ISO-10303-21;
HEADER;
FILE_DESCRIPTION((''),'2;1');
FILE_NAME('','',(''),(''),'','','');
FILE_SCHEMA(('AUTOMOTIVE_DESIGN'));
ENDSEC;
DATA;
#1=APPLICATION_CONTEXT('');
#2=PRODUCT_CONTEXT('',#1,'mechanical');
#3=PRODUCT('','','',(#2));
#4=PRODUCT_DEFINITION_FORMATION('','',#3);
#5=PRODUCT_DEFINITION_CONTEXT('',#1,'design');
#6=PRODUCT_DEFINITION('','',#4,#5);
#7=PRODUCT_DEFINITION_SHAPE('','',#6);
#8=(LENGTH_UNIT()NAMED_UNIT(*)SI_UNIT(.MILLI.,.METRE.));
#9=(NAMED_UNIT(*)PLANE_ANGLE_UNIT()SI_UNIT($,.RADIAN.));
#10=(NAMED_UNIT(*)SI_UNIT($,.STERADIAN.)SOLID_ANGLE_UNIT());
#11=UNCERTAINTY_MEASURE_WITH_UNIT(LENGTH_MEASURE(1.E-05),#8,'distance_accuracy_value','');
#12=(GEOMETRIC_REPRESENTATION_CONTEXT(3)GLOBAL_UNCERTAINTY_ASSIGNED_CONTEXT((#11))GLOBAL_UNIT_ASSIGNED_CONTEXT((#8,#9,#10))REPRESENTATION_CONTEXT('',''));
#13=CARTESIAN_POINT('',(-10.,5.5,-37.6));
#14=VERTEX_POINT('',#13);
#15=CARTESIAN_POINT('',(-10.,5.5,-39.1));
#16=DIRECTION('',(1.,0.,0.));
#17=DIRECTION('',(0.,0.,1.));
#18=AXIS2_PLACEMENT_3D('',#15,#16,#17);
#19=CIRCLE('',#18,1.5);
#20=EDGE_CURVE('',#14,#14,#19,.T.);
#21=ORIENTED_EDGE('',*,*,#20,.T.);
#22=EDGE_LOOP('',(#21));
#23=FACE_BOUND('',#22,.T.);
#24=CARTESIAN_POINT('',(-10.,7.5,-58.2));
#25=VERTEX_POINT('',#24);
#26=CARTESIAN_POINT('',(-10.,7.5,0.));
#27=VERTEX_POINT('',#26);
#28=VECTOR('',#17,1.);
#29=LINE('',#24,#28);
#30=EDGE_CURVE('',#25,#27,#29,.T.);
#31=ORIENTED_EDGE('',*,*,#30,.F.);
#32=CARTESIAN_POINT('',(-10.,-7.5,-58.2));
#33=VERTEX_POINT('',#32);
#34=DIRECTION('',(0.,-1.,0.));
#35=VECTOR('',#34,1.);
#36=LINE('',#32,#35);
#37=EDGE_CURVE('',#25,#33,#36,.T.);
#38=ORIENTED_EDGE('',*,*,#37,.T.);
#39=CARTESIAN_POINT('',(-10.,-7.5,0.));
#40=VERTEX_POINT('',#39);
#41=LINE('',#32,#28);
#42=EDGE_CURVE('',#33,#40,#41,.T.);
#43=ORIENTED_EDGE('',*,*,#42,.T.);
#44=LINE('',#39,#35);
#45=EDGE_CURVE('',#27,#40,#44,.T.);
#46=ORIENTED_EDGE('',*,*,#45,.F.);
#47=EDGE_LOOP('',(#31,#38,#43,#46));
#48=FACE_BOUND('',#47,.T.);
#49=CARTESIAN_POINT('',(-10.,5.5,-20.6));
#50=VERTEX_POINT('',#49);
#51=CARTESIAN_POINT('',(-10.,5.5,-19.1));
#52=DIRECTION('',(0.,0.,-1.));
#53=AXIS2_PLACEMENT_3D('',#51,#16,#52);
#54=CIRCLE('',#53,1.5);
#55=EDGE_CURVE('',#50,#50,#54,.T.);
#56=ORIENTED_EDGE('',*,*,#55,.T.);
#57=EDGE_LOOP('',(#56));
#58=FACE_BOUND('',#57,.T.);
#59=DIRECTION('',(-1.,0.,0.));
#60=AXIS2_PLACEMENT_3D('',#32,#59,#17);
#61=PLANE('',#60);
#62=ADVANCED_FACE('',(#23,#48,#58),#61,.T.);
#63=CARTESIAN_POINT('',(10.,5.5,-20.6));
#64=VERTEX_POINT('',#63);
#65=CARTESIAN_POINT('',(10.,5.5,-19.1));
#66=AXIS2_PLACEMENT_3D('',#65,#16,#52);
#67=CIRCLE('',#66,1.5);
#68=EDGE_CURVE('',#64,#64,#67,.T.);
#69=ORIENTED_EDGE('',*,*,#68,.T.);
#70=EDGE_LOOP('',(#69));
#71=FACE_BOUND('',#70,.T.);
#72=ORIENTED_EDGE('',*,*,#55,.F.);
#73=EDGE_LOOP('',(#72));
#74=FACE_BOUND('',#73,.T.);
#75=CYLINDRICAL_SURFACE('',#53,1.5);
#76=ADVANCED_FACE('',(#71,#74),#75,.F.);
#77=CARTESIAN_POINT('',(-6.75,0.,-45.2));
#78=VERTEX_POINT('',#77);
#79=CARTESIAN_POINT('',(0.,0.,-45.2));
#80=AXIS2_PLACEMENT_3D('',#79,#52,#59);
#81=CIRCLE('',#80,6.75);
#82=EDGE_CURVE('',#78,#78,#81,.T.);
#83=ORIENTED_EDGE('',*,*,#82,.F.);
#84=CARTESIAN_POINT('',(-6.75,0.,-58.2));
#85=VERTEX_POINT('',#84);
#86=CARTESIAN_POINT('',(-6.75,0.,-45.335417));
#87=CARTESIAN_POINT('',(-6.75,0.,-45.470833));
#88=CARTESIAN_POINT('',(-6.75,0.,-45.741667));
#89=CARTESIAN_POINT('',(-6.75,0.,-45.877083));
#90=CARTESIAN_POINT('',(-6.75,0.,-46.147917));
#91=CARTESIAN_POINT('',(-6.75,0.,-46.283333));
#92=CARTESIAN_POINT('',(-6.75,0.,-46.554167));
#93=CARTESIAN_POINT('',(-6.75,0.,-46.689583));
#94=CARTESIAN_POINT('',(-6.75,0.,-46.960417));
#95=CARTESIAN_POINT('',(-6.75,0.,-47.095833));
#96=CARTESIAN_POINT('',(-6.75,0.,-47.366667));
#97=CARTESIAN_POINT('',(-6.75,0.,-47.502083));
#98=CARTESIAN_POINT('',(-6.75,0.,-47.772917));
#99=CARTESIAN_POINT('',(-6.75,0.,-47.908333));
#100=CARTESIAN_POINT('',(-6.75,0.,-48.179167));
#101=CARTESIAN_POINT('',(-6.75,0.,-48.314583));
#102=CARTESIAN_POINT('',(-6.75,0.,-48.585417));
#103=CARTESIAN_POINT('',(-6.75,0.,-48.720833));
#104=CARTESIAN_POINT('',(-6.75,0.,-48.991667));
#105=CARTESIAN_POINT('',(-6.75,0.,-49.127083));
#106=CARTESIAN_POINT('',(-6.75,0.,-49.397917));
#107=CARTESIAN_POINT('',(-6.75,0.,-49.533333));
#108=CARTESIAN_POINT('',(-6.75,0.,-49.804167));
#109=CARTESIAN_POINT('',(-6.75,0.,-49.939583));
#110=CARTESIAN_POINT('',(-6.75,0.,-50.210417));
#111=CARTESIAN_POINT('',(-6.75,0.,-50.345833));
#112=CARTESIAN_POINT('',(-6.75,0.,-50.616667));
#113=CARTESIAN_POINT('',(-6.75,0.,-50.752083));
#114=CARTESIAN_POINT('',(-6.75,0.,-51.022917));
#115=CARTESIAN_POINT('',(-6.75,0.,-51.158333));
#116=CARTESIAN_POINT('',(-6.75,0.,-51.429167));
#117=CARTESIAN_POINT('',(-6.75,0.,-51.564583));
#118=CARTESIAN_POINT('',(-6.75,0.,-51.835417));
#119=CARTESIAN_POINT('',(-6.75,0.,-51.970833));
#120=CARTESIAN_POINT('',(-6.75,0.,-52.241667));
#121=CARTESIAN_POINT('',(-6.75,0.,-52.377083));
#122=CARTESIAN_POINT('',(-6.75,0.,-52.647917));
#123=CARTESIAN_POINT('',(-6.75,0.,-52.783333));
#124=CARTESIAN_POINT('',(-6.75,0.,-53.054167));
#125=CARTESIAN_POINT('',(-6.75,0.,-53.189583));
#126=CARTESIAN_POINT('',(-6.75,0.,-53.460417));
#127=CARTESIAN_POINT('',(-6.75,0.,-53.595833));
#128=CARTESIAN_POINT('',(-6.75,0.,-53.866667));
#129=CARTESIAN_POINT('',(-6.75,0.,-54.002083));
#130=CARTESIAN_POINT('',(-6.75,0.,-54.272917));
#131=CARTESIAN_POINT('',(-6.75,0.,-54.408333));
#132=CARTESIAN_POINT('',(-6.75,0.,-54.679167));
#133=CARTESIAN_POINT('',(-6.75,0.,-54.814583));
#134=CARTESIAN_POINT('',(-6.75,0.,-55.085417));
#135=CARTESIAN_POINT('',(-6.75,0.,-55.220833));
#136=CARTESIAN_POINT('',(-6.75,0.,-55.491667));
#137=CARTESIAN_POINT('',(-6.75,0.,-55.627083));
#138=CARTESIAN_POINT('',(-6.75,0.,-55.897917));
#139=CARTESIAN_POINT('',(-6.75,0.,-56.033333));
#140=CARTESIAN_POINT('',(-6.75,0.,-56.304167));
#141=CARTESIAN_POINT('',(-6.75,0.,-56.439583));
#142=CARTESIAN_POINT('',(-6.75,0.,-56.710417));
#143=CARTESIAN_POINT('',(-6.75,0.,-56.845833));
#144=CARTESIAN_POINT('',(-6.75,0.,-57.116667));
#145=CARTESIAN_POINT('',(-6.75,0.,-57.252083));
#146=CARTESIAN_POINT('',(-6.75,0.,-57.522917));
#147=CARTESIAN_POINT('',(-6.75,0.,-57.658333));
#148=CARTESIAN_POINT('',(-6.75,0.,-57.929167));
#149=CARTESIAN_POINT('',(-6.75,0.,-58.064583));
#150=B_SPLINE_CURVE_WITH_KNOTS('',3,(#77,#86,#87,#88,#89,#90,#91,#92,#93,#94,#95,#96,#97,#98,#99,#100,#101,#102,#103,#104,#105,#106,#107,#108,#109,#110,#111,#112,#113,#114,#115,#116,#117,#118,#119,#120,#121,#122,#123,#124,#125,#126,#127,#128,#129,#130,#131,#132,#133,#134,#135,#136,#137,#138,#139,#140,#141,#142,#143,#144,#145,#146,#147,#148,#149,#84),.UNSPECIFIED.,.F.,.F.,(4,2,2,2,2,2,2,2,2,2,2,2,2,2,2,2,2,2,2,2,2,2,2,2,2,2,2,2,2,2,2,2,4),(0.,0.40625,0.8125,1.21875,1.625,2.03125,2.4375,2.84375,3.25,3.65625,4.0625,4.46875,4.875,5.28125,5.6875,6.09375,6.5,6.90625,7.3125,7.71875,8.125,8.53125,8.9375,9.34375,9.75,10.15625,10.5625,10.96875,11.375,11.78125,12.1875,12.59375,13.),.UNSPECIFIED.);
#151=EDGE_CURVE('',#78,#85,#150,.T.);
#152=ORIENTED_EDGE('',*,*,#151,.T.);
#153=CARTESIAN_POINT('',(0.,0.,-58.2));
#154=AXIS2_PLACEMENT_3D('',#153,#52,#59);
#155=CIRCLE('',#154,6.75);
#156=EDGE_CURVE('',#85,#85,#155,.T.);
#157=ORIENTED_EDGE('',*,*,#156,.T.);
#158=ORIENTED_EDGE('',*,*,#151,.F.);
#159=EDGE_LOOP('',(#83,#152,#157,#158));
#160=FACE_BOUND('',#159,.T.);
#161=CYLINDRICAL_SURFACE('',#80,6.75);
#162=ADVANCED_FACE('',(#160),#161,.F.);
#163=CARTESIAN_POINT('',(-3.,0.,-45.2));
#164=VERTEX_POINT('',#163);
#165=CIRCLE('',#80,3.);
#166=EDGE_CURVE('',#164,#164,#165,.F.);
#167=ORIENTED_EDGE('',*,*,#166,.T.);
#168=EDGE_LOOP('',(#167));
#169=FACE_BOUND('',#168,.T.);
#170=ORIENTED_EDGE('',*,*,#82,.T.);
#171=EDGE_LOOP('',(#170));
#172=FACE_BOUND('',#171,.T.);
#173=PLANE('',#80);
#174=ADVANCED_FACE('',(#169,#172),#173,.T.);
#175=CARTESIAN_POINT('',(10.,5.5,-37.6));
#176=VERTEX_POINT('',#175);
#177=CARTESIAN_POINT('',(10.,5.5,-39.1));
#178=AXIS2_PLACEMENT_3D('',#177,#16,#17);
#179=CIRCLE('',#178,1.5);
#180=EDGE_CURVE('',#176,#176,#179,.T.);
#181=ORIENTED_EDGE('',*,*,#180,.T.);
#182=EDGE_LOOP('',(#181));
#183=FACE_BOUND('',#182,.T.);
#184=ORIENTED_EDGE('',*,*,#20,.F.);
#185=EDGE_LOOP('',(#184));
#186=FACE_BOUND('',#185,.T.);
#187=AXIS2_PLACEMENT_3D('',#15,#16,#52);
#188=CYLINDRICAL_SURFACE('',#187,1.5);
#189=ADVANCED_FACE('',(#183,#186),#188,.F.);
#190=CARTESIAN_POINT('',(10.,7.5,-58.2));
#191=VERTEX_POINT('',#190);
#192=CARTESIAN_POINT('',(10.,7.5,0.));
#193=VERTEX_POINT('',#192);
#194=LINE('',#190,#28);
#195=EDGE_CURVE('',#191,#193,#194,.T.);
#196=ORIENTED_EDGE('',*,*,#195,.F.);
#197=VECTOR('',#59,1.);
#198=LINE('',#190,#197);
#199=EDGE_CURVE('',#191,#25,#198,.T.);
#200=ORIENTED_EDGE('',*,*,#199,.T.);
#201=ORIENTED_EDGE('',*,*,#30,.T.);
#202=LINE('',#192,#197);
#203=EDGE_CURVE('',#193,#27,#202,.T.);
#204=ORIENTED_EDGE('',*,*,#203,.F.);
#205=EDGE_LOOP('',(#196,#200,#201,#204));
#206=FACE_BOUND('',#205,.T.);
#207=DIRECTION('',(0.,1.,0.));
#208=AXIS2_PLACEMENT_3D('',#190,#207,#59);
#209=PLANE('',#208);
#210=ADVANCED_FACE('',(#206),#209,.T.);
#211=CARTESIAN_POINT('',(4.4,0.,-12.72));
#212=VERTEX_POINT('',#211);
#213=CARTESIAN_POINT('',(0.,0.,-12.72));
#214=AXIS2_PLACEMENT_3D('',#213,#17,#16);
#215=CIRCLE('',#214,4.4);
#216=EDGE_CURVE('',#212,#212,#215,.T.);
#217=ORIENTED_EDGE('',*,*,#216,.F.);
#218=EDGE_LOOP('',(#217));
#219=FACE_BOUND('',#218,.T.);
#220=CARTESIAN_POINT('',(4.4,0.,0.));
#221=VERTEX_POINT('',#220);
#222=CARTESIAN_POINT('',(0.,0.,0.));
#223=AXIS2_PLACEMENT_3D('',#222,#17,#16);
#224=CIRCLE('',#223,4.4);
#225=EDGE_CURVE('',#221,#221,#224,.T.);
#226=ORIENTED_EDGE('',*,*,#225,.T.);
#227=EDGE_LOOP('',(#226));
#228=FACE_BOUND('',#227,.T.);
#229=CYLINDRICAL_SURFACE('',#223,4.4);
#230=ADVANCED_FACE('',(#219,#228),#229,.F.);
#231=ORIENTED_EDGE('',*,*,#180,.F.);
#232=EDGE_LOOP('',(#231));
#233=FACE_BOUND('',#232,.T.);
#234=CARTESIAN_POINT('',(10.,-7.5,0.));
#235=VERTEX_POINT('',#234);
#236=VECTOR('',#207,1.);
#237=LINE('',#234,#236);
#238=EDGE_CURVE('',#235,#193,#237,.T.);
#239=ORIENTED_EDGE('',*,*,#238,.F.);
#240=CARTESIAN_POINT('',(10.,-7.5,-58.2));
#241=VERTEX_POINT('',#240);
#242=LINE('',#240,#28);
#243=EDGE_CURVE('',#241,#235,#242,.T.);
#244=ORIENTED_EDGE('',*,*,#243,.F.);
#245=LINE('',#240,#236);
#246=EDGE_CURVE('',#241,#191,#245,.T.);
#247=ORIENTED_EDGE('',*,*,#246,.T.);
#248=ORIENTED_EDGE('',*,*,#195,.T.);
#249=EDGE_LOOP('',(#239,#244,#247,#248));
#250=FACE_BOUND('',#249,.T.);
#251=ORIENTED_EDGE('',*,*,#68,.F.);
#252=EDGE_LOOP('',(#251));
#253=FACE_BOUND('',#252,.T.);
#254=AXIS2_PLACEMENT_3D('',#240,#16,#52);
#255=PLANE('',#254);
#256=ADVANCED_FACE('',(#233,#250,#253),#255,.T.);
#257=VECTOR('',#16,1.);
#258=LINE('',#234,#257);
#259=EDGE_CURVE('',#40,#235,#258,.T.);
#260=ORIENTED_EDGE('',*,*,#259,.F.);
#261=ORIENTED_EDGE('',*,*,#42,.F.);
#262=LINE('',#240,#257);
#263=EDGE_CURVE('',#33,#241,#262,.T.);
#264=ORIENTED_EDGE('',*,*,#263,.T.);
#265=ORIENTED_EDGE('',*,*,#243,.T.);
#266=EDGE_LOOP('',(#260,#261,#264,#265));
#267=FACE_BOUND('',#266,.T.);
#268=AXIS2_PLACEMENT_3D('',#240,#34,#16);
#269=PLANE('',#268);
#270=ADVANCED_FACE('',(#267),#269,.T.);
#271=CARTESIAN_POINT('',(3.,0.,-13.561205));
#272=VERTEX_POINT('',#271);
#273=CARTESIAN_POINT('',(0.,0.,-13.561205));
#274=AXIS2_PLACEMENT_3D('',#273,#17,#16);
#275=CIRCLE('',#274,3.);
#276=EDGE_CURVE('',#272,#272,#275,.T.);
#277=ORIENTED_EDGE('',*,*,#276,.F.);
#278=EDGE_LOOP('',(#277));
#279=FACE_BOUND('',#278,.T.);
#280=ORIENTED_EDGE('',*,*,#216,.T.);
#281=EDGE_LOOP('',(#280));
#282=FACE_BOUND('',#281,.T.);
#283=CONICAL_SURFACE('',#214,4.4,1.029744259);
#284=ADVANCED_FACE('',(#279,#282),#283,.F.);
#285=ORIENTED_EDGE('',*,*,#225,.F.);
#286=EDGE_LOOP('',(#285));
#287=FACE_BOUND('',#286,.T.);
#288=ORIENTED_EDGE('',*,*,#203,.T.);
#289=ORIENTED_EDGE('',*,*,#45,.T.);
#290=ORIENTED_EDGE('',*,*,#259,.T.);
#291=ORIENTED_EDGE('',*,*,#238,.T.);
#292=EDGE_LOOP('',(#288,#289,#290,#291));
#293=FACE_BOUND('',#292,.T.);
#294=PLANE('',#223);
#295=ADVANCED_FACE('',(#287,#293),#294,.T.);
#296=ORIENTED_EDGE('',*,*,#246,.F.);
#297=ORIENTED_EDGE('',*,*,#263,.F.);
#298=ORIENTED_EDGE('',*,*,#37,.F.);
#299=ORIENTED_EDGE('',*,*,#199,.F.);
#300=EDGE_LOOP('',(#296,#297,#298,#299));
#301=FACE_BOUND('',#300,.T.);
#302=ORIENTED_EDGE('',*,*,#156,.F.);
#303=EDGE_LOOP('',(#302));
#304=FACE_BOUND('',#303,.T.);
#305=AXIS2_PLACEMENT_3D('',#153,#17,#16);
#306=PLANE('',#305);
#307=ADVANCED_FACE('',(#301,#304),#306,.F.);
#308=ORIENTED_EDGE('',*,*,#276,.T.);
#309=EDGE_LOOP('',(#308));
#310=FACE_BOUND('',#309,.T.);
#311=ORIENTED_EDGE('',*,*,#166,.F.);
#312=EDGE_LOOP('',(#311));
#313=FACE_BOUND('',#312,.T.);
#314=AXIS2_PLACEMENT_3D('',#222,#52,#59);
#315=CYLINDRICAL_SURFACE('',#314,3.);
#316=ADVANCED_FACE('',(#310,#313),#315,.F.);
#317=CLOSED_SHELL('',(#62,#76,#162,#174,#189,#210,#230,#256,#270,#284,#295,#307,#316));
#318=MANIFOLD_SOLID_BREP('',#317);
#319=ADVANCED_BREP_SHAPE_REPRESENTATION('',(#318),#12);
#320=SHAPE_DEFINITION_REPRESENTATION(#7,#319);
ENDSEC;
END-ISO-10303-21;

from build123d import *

# Parameters (mm, degrees)
SCHIZZO1_W                   = 20
SCHIZZO1_H                   = 15
ESTRUSIONE_ESTRUSIONE1_DEPTH = 58.2
SCHIZZO2_R                   = 3
TAGLIO_ESTRUSIONE1_DEPTH     = 60.527220664
SCHIZZO3_R                   = 6.75
TAGLIO_ESTRUSIONE2_DEPTH     = 13
SCHIZZO4_R                   = 1.5
TAGLIO_ESTRUSIONE3_DEPTH     = 62.99588696
FORO_FILETTATO_G1_8_1_D      = 8.8
FORO_FILETTATO_G1_8_1_DEPTH  = 12.72
FORO_FILETTATO_G1_8_1_TIP    = 2.643786724


with BuildPart() as part:
    # Schizzo1 → Estrusione-Estrusione1 (new body)
    with BuildSketch(Plane.XY):
        Rectangle(SCHIZZO1_W, SCHIZZO1_H)
    extrude(amount=-ESTRUSIONE_ESTRUSIONE1_DEPTH)

    # Schizzo2 → Taglio-Estrusione1 (cut, through all)
    with BuildSketch(Plane(origin=(0, 0, -58.2), x_dir=(-1, 0, 0), z_dir=(0, 0, -1))):
        Circle(SCHIZZO2_R)
    extrude(amount=-TAGLIO_ESTRUSIONE1_DEPTH, mode=Mode.SUBTRACT)

    # Schizzo3 → Taglio-Estrusione2 (cut)
    with BuildSketch(Plane(origin=(0, 0, -58.2), x_dir=(-1, 0, 0), z_dir=(0, 0, -1))):
        Circle(SCHIZZO3_R)
    extrude(amount=-TAGLIO_ESTRUSIONE2_DEPTH, mode=Mode.SUBTRACT)

    # Schizzo4 → Taglio-Estrusione3 (cut, through all)
    with BuildSketch(Plane(origin=(10, 0, 0), x_dir=(0, 0, -1), z_dir=(1, 0, 0))):
        with Locations((19.1, 5.5)):
            Circle(SCHIZZO4_R)
        with Locations(Location((39.1, 5.5, 0), (0, 0, 180))):
            Circle(SCHIZZO4_R)
    extrude(amount=-TAGLIO_ESTRUSIONE3_DEPTH, mode=Mode.SUBTRACT)

    # Foro filettato G1/8-1
    with Locations(Plane.XY):
        with Locations((0, 0)):
            Hole(FORO_FILETTATO_G1_8_1_D / 2, depth=FORO_FILETTATO_G1_8_1_DEPTH)
            with Locations((0, 0, -(FORO_FILETTATO_G1_8_1_DEPTH + FORO_FILETTATO_G1_8_1_TIP / 2))):  # 118° drill point
                Cone(0, FORO_FILETTATO_G1_8_1_D / 2, FORO_FILETTATO_G1_8_1_TIP, mode=Mode.SUBTRACT)


solid = part.part
